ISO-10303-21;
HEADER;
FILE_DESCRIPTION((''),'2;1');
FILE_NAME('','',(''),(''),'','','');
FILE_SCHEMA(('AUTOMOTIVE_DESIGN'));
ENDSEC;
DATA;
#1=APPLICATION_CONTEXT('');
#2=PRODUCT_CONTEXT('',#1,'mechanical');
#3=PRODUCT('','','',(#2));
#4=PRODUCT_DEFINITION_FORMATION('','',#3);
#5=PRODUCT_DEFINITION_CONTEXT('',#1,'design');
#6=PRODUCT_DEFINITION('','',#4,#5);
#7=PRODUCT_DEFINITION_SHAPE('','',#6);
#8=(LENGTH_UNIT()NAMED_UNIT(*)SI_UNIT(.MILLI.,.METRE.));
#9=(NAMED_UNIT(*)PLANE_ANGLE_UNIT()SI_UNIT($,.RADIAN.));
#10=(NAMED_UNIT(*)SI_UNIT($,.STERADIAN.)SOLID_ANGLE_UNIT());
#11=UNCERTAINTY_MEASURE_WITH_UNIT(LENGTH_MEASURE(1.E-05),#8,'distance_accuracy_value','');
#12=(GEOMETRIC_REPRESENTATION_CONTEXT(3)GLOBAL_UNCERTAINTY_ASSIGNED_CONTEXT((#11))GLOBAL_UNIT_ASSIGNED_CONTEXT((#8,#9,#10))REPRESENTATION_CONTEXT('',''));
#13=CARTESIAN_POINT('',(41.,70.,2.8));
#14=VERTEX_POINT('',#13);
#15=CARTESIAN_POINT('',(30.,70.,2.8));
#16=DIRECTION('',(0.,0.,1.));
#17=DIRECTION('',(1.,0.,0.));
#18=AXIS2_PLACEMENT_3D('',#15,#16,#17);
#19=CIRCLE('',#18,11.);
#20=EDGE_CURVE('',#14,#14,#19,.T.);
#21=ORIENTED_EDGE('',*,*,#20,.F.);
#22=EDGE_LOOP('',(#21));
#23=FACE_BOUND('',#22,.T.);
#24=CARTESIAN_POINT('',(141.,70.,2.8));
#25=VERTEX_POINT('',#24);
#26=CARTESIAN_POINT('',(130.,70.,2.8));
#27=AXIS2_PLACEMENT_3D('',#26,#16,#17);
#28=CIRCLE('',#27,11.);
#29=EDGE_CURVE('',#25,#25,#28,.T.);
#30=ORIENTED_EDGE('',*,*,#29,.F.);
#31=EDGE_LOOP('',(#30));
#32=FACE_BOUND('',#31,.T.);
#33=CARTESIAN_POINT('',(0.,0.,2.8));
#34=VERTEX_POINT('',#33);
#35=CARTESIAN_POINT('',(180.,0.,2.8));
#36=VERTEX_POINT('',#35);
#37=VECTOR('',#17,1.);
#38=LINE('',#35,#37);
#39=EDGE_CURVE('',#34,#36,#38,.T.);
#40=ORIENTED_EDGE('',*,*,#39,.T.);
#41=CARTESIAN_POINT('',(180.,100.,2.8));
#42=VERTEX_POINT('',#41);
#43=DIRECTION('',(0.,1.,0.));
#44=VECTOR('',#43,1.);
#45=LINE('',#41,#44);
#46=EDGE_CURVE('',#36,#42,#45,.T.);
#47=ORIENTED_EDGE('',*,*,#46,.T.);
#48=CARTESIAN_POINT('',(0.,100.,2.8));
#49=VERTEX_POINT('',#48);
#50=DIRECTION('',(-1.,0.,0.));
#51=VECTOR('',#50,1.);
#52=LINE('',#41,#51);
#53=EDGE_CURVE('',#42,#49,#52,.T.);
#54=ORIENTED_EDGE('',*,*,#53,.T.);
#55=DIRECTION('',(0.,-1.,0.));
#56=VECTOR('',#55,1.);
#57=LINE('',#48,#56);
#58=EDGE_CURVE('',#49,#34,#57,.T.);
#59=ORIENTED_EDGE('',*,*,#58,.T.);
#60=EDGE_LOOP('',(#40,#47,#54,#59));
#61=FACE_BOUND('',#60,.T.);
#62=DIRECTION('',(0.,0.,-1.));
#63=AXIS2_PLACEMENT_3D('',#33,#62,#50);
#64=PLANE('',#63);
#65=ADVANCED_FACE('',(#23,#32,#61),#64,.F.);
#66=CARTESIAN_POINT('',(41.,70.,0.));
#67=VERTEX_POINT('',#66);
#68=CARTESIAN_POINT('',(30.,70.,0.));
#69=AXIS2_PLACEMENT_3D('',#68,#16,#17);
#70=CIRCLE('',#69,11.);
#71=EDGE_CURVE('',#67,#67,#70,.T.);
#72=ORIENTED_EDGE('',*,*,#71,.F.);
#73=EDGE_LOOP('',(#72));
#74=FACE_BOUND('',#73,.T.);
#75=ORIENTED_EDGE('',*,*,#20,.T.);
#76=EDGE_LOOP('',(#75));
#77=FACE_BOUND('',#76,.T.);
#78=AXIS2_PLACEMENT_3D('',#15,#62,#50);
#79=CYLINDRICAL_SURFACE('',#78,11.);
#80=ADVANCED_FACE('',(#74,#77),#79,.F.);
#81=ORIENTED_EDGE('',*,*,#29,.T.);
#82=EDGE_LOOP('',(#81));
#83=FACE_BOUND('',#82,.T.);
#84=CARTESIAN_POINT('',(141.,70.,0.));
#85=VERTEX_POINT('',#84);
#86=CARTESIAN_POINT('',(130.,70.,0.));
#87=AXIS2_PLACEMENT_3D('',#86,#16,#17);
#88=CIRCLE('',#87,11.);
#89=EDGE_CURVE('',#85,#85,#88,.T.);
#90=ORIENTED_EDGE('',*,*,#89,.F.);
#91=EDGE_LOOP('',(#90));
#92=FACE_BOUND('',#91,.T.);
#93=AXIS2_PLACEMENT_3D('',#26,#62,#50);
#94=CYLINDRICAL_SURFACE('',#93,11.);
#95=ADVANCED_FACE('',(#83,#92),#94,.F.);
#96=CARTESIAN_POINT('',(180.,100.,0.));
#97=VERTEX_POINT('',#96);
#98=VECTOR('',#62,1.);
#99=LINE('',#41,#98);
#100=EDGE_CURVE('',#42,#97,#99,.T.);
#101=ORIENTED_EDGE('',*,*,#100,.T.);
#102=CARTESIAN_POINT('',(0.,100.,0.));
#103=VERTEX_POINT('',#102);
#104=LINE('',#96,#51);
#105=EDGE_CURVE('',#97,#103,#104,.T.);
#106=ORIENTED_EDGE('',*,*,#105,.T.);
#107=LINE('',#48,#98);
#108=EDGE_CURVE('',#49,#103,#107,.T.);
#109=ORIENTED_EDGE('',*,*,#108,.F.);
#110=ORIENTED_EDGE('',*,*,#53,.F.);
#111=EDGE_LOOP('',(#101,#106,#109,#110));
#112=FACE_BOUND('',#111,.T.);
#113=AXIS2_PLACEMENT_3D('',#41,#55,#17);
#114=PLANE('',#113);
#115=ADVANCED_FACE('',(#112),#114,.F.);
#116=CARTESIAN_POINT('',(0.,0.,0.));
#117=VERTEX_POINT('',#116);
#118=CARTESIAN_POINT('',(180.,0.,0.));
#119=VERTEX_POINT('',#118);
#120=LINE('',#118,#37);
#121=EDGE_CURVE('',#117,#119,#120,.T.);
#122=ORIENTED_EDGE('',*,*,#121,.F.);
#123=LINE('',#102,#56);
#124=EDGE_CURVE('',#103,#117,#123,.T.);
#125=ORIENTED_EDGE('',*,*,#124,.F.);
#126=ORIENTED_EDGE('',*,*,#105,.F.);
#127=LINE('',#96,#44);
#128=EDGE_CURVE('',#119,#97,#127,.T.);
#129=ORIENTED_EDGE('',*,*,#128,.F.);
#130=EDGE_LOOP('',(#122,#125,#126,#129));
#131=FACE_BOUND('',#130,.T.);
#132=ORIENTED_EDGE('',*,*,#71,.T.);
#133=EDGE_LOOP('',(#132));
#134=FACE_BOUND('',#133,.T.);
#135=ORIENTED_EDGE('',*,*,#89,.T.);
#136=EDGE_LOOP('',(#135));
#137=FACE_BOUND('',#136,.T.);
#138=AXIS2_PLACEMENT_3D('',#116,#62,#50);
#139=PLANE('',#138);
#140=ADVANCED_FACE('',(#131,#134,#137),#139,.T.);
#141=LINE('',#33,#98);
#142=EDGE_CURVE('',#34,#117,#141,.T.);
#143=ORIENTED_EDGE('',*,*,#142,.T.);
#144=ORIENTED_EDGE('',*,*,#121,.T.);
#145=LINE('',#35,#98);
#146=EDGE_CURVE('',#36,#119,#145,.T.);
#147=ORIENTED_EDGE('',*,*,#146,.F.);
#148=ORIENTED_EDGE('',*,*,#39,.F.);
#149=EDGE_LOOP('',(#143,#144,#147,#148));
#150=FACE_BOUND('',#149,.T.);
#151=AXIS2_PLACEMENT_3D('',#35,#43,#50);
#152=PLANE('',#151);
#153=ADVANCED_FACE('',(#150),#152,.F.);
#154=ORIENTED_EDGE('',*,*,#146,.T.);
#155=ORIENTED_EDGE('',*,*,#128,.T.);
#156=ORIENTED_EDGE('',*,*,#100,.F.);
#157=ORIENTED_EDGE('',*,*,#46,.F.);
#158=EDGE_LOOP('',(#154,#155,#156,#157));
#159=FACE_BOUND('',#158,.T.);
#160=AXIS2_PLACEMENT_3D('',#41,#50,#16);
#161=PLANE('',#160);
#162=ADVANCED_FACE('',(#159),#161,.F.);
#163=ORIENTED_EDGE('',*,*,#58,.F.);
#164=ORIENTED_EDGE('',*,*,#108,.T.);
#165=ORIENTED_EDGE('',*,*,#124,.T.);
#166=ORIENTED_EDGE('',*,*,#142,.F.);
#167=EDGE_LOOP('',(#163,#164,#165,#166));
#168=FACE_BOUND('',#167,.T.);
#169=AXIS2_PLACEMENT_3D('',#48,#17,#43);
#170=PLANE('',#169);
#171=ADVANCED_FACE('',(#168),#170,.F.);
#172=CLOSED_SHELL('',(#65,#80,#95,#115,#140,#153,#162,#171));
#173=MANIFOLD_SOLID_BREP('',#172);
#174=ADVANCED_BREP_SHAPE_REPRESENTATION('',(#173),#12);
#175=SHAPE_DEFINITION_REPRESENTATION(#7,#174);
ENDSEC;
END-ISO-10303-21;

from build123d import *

# Parameters (mm, degrees)
SKETCH1_W           = 180
SKETCH1_H           = 100
SKETCH1_R           = 11
BOSS_EXTRUDE1_DEPTH = 2.8


with BuildPart() as part:
    # Sketch1 → Boss-Extrude1 (new body)
    with BuildSketch(Plane.XY):
        with Locations((90, 50)):
            Rectangle(SKETCH1_W, SKETCH1_H)
        with Locations((30, 70)):
            Circle(SKETCH1_R, mode=Mode.SUBTRACT)
        with Locations((130, 70)):
            Circle(SKETCH1_R, mode=Mode.SUBTRACT)
    extrude(amount=BOSS_EXTRUDE1_DEPTH)


solid = part.part
